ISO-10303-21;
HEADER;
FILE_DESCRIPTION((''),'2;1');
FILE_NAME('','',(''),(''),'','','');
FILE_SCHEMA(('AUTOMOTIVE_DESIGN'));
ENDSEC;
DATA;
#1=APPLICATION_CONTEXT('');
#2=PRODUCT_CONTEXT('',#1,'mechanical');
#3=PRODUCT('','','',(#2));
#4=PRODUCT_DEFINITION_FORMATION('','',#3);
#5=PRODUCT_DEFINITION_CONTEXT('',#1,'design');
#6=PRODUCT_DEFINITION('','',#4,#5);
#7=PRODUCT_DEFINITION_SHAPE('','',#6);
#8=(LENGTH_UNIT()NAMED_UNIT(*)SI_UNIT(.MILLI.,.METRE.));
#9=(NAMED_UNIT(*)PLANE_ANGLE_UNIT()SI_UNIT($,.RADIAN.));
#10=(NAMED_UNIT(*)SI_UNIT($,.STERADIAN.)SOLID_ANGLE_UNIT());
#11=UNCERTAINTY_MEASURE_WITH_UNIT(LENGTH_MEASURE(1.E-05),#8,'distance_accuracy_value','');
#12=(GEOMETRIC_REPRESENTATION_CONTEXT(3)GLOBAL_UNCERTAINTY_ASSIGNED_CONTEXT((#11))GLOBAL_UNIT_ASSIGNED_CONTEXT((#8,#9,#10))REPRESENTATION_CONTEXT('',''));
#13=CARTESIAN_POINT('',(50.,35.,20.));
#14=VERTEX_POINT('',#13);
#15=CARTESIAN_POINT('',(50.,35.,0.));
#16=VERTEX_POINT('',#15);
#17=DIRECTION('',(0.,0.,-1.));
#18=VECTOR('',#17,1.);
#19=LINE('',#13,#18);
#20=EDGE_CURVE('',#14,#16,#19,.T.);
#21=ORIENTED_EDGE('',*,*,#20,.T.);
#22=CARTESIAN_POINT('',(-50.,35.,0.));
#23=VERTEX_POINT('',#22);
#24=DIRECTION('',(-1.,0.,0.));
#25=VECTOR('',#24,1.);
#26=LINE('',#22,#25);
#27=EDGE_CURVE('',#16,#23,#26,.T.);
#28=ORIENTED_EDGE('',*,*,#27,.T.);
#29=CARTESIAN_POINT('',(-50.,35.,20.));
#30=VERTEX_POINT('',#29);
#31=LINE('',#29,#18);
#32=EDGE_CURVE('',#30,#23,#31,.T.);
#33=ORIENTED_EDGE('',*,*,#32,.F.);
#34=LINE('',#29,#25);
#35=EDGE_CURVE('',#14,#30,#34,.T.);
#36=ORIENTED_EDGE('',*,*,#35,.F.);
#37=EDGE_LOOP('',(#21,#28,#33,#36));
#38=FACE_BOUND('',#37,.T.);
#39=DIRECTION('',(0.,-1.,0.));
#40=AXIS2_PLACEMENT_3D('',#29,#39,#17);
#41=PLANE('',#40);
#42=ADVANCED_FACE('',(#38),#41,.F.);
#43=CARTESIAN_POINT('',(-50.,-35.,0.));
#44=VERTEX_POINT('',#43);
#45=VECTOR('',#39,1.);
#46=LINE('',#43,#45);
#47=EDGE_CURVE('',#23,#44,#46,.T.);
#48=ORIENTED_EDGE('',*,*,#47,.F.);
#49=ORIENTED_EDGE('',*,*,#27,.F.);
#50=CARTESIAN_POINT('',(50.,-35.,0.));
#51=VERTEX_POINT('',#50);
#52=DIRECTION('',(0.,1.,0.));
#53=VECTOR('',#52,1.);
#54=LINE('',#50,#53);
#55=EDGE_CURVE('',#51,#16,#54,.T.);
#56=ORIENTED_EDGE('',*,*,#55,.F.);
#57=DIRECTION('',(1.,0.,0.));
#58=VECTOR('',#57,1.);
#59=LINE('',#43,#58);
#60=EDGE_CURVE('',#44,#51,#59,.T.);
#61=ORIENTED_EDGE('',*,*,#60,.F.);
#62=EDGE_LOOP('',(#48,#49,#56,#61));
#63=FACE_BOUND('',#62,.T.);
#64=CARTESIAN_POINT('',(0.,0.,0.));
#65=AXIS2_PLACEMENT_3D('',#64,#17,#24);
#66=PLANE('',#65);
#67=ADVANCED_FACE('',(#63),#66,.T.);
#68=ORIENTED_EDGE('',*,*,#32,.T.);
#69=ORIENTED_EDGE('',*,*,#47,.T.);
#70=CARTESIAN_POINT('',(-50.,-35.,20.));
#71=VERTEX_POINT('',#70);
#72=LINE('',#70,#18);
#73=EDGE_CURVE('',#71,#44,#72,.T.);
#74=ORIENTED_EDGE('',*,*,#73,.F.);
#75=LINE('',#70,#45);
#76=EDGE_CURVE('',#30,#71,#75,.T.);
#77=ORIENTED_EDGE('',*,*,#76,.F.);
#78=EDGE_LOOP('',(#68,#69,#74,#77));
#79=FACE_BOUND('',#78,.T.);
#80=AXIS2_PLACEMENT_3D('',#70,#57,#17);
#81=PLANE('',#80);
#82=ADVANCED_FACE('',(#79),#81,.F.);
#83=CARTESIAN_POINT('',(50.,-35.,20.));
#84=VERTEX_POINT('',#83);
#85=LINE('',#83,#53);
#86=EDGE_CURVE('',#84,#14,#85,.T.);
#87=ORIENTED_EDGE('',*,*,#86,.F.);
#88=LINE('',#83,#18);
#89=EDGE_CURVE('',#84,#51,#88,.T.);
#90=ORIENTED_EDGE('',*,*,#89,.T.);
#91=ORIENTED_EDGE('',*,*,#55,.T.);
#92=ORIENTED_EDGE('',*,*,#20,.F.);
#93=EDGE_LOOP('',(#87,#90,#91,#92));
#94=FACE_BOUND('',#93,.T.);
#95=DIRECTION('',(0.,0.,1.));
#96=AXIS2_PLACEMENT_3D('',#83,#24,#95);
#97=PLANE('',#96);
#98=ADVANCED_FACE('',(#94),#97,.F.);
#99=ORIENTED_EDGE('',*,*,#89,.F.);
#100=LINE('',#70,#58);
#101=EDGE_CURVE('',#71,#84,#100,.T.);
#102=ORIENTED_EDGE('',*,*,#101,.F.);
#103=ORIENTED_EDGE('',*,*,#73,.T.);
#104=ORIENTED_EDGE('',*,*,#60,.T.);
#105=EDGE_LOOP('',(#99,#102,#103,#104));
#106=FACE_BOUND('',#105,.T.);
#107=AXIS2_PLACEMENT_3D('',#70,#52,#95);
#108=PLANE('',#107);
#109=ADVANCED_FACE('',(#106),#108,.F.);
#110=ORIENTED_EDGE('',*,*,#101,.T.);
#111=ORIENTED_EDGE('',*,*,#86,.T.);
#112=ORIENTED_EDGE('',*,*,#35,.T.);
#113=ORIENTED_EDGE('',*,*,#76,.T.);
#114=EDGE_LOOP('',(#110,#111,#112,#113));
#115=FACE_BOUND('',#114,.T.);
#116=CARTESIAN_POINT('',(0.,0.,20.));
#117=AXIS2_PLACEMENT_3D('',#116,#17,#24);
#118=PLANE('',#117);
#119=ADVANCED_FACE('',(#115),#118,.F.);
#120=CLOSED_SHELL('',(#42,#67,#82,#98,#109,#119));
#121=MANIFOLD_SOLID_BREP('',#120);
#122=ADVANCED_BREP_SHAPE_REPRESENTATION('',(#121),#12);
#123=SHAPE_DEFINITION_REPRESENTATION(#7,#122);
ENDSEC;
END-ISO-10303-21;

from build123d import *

# Parameters (mm, degrees)
SKETCH_1_W      = 100
SKETCH_1_H      = 70
EXTRUDE_1_DEPTH = 20


with BuildPart() as part:
    # 草图1 → 凸台-拉伸1 (new body)
    with BuildSketch(Plane.XY):
        Rectangle(SKETCH_1_W, SKETCH_1_H)
    extrude(amount=EXTRUDE_1_DEPTH)


solid = part.part
